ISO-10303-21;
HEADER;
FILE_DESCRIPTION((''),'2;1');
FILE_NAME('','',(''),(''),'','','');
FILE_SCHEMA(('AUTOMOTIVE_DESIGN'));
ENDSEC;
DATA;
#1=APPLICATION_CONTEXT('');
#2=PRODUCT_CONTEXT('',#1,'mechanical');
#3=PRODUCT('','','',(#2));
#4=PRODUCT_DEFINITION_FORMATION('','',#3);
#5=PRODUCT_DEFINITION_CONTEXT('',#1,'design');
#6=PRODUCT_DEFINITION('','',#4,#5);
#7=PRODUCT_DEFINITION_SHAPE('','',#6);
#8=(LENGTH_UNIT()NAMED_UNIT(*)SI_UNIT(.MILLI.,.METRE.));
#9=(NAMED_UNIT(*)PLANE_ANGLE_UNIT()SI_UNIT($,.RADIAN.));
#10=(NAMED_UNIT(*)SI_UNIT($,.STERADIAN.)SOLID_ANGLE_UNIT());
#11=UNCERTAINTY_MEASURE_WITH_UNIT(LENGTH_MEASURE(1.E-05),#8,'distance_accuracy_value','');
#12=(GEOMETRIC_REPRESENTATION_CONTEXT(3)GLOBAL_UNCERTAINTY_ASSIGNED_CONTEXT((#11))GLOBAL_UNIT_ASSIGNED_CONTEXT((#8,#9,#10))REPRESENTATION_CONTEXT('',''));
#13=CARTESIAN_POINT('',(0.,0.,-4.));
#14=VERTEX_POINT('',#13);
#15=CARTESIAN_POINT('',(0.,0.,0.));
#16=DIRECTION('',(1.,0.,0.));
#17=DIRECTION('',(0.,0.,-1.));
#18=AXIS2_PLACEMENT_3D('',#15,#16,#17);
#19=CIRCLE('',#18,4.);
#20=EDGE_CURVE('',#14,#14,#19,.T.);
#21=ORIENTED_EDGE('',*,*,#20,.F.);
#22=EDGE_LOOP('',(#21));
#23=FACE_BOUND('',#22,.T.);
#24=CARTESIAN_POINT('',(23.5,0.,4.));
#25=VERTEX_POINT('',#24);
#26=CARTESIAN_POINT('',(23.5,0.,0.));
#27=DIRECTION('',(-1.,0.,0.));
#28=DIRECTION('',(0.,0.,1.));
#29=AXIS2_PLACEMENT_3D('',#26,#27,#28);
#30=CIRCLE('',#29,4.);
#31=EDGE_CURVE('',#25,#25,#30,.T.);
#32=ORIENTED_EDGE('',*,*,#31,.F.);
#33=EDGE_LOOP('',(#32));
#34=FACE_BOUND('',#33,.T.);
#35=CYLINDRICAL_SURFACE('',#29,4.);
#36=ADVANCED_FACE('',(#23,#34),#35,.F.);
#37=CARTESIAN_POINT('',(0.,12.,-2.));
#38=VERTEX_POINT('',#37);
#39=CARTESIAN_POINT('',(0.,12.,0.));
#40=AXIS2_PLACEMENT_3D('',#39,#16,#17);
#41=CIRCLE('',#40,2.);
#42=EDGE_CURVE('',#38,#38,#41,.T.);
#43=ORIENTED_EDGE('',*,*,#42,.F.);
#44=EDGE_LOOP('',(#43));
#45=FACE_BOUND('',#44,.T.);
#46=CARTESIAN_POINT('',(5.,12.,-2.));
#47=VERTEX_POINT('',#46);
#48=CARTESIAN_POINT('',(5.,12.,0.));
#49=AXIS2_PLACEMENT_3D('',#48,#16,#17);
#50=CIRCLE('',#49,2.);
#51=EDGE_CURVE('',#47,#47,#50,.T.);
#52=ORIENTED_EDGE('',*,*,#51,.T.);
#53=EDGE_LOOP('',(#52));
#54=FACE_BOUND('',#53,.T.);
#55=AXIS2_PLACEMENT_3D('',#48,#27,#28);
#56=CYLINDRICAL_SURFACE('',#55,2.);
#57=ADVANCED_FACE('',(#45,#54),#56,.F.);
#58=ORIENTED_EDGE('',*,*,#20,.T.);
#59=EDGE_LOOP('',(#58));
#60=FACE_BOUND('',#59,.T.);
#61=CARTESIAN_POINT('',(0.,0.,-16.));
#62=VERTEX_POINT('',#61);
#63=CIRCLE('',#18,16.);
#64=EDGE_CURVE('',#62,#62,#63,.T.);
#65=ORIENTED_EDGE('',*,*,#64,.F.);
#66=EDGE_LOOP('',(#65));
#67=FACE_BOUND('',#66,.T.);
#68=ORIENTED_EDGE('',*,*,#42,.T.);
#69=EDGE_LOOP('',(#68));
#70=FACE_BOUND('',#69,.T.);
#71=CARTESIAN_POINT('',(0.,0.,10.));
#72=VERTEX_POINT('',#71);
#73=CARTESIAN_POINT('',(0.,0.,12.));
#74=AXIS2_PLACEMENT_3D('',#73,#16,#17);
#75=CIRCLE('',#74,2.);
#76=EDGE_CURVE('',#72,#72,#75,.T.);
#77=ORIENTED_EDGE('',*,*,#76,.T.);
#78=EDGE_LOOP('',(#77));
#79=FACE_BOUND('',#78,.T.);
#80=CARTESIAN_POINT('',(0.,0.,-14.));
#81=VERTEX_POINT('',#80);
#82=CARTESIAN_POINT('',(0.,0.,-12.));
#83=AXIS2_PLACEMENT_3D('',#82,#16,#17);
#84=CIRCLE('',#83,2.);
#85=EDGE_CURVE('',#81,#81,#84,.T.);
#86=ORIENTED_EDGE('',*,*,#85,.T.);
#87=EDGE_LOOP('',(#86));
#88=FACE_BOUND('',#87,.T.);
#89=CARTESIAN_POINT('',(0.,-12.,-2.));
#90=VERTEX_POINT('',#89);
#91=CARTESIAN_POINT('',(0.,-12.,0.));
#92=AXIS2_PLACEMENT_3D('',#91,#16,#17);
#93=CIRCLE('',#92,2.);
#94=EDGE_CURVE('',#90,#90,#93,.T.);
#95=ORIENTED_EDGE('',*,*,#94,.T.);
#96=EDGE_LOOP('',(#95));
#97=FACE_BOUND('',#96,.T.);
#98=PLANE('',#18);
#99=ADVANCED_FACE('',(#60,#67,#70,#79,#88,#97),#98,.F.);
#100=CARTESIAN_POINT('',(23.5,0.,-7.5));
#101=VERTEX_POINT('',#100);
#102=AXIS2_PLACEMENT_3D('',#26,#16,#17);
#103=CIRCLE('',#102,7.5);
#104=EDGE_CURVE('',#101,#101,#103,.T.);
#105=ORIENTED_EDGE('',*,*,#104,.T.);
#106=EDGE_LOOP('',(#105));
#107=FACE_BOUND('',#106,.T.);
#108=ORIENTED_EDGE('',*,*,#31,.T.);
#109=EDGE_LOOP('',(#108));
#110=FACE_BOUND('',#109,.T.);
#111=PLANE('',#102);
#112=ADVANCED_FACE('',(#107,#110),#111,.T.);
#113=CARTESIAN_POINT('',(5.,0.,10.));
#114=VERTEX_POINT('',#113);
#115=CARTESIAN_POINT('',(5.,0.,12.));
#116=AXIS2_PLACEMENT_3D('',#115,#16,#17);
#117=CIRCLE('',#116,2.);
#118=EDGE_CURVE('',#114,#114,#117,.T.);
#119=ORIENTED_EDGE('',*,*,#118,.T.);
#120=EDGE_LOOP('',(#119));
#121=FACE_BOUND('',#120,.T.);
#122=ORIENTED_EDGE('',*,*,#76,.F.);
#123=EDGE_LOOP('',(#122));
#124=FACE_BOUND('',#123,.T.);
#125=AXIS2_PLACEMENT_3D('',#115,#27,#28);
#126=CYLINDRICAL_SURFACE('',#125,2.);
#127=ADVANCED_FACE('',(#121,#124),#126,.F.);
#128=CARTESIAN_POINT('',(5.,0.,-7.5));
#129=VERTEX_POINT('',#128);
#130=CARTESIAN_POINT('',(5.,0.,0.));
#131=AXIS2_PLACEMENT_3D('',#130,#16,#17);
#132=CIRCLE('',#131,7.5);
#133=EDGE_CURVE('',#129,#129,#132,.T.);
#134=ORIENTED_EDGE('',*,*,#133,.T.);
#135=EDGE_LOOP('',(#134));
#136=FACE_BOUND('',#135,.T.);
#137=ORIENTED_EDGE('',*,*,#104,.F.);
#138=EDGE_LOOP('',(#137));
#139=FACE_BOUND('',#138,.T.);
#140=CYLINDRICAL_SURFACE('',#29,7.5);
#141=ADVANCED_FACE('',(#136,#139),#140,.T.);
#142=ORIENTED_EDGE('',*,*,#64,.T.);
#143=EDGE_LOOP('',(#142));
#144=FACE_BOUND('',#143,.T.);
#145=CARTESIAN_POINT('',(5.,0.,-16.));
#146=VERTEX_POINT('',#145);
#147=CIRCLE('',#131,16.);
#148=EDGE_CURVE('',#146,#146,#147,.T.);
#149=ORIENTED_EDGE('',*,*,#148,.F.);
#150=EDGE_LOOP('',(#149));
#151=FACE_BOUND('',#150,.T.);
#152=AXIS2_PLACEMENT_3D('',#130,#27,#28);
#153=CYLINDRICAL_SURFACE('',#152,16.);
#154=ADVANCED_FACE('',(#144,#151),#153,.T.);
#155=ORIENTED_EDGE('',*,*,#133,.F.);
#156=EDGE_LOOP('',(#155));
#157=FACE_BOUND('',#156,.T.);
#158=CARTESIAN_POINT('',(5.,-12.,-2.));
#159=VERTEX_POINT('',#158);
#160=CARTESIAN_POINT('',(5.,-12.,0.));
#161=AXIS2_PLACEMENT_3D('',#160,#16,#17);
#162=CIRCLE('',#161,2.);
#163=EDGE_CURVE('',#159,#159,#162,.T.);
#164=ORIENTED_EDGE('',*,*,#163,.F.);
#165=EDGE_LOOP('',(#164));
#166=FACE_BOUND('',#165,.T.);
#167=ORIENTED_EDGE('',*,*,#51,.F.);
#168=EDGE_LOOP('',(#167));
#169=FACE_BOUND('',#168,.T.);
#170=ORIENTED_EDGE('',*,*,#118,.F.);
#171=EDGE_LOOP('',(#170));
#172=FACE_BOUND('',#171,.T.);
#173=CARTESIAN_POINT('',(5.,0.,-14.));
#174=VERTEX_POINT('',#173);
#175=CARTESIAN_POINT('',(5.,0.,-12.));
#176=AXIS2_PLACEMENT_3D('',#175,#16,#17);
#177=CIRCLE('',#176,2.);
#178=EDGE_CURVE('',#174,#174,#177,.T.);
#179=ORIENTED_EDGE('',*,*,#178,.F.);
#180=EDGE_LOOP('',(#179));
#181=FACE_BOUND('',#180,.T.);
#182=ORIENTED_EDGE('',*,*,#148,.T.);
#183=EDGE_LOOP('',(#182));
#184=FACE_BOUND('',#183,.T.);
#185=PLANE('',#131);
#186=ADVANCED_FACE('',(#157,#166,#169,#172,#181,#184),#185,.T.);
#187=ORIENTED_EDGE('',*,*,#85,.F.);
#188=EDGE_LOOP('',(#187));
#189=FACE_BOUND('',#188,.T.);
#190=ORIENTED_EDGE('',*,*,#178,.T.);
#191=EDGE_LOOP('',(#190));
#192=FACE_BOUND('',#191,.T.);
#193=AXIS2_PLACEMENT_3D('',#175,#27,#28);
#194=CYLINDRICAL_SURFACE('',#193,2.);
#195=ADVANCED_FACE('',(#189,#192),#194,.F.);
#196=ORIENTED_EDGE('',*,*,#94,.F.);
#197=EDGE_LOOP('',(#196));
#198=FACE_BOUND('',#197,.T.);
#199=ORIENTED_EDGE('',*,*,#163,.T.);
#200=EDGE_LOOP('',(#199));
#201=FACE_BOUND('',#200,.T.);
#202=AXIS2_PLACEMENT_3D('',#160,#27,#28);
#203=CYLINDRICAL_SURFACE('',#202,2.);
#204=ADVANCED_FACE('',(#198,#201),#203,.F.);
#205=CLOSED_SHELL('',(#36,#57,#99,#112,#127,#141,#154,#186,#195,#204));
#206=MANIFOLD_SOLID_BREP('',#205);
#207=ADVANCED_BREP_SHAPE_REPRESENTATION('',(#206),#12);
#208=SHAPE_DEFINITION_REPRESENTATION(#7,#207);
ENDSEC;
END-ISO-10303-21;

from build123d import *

# Parameters (mm, degrees)
SKETCH1_R               = 16
SKETCH1_R_2             = 2
BOSS_EXTRUDE1_DEPTH     = 5
SKETCH2_R               = 7.5
BOSS_EXTRUDE2_DEPTH     = 18.5
CUT_EXTRUDE1_DEPTH      = 33.622844756
CUT_EXTRUDE1_DEPTH_BACK = 33.622844756
SKETCH3_R               = 4


with BuildPart() as part:
    # Sketch1 → Boss-Extrude1 (new body)
    with BuildSketch(Plane(origin=(0, 0, 0), x_dir=(0, 0, -1), z_dir=(1, 0, 0))):
        Circle(SKETCH1_R)
        with Locations((0, 12)):
            Circle(SKETCH1_R_2, mode=Mode.SUBTRACT)
        with Locations((12, 0)):
            Circle(SKETCH1_R_2, mode=Mode.SUBTRACT)
        with Locations((0, -12)):
            Circle(SKETCH1_R_2, mode=Mode.SUBTRACT)
        with Locations((-12, 0)):
            Circle(SKETCH1_R_2, mode=Mode.SUBTRACT)
    extrude(amount=BOSS_EXTRUDE1_DEPTH)

    # Sketch2 → Boss-Extrude2 (add)
    with BuildSketch(Plane(origin=(5, 0, 0), x_dir=(0, 0, -1), z_dir=(1, 0, 0))):
        Circle(SKETCH2_R)
    extrude(amount=BOSS_EXTRUDE2_DEPTH)

    # Sketch3 → Cut-Extrude1 (cut, two sides: drawn at the far end of the back side and taken through both)
    with BuildSketch(Plane.ZY.offset(-CUT_EXTRUDE1_DEPTH_BACK)):
        Circle(SKETCH3_R)
    extrude(amount=CUT_EXTRUDE1_DEPTH + CUT_EXTRUDE1_DEPTH_BACK, mode=Mode.SUBTRACT)


solid = part.part
